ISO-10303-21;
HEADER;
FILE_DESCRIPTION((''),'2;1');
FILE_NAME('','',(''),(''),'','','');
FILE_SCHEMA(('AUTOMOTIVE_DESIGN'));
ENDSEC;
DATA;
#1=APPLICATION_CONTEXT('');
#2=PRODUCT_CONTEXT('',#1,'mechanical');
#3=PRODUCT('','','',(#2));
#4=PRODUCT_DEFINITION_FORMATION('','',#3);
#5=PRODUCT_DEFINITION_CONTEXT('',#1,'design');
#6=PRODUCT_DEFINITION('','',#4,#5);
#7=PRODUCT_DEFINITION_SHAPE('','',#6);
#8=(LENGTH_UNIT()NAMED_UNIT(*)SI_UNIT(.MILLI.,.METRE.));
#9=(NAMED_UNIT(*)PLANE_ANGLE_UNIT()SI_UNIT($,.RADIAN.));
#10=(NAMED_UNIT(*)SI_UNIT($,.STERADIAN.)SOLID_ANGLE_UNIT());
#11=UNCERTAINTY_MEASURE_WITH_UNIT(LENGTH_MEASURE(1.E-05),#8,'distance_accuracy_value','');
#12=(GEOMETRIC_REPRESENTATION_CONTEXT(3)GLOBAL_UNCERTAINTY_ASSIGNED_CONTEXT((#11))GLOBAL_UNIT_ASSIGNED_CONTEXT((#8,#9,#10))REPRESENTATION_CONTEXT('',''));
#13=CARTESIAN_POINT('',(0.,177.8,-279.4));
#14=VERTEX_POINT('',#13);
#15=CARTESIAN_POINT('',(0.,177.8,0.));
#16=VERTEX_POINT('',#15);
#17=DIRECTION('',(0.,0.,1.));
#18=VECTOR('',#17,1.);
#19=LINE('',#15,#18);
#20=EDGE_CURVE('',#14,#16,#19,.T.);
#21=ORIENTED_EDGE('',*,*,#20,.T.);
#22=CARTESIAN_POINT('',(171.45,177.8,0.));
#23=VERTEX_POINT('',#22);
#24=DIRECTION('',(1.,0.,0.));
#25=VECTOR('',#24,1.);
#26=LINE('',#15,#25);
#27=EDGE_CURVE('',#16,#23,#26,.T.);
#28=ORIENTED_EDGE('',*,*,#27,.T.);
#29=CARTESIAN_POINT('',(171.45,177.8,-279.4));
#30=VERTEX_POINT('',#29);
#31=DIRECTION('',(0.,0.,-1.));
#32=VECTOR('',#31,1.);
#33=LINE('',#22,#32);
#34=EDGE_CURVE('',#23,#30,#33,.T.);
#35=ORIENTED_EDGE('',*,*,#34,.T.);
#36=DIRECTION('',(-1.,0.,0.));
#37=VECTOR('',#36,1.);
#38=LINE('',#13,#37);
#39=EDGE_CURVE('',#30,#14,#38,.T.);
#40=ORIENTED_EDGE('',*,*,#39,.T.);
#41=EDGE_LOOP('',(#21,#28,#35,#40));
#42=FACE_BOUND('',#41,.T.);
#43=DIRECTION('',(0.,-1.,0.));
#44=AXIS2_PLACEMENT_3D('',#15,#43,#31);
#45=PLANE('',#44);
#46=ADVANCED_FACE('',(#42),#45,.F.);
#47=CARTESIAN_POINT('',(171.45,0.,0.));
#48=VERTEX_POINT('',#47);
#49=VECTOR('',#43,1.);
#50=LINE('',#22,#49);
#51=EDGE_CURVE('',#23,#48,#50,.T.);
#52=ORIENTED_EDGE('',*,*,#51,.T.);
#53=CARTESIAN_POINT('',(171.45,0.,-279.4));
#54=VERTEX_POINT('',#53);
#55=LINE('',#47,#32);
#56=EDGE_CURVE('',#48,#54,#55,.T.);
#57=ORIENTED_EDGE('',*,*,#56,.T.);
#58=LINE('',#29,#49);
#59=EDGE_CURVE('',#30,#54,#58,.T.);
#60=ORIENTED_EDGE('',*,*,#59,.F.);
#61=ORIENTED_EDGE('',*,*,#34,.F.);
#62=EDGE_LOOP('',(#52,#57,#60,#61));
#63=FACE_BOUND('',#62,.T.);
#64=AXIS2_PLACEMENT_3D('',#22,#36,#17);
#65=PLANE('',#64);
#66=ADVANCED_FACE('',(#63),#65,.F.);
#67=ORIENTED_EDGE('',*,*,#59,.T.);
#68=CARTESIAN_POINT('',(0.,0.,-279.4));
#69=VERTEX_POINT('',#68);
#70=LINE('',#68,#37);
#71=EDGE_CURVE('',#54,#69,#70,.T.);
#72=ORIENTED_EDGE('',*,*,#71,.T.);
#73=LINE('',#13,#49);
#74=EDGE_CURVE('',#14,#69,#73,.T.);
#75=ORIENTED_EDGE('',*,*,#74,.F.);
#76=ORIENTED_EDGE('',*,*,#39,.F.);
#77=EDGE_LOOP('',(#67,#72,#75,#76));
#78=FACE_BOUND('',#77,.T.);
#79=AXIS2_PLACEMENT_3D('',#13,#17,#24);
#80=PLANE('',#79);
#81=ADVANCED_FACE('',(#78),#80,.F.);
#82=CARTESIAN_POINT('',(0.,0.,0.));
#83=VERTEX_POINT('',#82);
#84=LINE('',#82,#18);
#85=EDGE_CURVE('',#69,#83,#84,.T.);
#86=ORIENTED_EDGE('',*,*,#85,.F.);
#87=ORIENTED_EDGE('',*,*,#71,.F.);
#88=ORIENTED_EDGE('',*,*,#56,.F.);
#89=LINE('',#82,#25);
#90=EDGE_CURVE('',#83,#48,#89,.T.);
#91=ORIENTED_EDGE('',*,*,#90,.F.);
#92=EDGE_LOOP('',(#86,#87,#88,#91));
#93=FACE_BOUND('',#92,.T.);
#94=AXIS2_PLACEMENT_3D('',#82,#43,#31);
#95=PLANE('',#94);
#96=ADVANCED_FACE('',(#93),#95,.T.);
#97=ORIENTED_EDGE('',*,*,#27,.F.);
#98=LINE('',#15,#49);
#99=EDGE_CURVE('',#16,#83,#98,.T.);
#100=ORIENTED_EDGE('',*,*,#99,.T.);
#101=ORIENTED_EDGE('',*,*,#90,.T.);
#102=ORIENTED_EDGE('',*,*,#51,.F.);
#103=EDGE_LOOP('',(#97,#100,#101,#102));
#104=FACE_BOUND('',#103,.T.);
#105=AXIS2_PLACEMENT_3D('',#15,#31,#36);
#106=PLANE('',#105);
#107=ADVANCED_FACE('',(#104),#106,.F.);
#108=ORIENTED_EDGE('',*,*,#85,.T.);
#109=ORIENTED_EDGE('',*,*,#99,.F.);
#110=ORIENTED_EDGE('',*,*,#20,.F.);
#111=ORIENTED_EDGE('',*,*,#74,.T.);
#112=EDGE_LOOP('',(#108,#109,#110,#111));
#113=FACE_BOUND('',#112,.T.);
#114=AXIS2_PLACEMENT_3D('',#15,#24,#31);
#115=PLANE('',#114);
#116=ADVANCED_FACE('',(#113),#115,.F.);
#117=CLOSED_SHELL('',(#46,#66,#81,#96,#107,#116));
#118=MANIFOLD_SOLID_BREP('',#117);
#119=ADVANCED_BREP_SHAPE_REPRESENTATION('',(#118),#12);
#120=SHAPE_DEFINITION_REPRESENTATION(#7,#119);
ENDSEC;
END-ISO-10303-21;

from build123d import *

# Parameters (mm, degrees)
SKETCH1_W           = 171.45
SKETCH1_H           = 279.4
BOSS_EXTRUDE1_DEPTH = 177.8


with BuildPart() as part:
    # Sketch1 → Boss-Extrude1 (new body)
    with BuildSketch(Plane(origin=(0, 0, 0), x_dir=(1, 0, 0), z_dir=(0, 1, 0))):
        with Locations((85.725, 139.7)):
            Rectangle(SKETCH1_W, SKETCH1_H)
    extrude(amount=BOSS_EXTRUDE1_DEPTH)


solid = part.part
